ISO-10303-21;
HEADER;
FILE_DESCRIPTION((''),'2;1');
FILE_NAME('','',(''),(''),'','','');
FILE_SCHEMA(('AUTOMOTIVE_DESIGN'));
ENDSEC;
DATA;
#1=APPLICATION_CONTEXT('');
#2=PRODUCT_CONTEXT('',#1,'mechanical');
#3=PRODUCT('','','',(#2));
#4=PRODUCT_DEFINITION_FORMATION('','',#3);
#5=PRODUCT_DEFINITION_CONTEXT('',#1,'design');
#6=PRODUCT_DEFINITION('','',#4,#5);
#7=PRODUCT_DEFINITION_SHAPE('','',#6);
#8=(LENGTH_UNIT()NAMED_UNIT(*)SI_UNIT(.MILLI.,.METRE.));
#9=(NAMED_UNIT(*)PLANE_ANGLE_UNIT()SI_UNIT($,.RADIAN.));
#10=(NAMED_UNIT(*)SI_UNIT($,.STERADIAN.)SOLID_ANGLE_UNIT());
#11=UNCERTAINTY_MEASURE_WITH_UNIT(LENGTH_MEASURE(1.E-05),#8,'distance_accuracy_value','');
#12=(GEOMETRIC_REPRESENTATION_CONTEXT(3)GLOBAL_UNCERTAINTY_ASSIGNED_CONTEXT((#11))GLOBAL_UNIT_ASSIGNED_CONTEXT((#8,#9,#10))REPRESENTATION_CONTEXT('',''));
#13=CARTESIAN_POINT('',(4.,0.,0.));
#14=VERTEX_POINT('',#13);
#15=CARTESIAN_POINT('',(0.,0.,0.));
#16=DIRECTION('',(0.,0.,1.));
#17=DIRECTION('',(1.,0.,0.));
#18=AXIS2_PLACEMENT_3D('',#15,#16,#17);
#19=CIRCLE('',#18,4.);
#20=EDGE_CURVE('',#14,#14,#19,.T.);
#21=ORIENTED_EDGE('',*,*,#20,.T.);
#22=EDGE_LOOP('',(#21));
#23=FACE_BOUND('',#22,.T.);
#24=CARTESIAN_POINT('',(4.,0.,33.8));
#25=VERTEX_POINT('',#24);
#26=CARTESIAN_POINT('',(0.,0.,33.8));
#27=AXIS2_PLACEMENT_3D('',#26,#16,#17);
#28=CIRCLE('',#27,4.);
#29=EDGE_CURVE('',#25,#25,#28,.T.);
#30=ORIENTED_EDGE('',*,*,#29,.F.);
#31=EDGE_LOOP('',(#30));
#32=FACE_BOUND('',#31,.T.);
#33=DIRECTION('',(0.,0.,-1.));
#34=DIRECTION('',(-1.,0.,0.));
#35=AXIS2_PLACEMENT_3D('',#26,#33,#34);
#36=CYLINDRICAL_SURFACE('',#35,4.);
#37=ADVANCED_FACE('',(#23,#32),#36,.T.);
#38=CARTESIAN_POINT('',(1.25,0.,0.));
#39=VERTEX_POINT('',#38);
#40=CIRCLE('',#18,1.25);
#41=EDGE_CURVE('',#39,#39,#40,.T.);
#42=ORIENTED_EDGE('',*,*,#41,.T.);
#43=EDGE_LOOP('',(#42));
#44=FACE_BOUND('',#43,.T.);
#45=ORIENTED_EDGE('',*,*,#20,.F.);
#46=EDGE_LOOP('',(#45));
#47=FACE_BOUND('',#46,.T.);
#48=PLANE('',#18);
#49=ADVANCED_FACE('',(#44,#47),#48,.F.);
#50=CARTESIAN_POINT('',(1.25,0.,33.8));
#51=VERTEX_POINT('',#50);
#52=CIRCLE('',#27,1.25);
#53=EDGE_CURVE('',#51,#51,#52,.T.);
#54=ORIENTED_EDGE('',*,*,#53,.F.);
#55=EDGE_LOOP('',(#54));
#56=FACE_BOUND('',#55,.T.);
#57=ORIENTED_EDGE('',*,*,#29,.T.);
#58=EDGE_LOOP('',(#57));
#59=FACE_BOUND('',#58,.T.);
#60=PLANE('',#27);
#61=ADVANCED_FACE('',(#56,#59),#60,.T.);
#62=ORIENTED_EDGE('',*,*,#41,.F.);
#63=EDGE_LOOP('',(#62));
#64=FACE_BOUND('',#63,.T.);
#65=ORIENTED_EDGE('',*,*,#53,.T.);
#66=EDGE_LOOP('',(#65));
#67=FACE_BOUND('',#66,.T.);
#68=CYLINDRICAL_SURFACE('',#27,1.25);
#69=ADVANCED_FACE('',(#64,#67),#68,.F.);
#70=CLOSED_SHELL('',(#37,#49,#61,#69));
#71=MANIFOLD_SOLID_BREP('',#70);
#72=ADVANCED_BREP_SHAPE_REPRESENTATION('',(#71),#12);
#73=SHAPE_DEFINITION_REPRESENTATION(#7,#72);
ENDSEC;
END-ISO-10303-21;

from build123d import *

# Parameters (mm, degrees)
SKETCH1_R               = 4
BOSS_EXTRUDE1_DEPTH     = 33.8
TAP_DRILL_FOR_M3_TAP1_D = 2.5


with BuildPart() as part:
    # Sketch1 → Boss-Extrude1 (new body)
    with BuildSketch(Plane.XY):
        Circle(SKETCH1_R)
    extrude(amount=BOSS_EXTRUDE1_DEPTH)

    # Tap Drill for M3 Tap1 (through all)
    with Locations(Plane.XY.offset(33.8)):
        with Locations((0, 0)):
            Hole(TAP_DRILL_FOR_M3_TAP1_D / 2)


solid = part.part
